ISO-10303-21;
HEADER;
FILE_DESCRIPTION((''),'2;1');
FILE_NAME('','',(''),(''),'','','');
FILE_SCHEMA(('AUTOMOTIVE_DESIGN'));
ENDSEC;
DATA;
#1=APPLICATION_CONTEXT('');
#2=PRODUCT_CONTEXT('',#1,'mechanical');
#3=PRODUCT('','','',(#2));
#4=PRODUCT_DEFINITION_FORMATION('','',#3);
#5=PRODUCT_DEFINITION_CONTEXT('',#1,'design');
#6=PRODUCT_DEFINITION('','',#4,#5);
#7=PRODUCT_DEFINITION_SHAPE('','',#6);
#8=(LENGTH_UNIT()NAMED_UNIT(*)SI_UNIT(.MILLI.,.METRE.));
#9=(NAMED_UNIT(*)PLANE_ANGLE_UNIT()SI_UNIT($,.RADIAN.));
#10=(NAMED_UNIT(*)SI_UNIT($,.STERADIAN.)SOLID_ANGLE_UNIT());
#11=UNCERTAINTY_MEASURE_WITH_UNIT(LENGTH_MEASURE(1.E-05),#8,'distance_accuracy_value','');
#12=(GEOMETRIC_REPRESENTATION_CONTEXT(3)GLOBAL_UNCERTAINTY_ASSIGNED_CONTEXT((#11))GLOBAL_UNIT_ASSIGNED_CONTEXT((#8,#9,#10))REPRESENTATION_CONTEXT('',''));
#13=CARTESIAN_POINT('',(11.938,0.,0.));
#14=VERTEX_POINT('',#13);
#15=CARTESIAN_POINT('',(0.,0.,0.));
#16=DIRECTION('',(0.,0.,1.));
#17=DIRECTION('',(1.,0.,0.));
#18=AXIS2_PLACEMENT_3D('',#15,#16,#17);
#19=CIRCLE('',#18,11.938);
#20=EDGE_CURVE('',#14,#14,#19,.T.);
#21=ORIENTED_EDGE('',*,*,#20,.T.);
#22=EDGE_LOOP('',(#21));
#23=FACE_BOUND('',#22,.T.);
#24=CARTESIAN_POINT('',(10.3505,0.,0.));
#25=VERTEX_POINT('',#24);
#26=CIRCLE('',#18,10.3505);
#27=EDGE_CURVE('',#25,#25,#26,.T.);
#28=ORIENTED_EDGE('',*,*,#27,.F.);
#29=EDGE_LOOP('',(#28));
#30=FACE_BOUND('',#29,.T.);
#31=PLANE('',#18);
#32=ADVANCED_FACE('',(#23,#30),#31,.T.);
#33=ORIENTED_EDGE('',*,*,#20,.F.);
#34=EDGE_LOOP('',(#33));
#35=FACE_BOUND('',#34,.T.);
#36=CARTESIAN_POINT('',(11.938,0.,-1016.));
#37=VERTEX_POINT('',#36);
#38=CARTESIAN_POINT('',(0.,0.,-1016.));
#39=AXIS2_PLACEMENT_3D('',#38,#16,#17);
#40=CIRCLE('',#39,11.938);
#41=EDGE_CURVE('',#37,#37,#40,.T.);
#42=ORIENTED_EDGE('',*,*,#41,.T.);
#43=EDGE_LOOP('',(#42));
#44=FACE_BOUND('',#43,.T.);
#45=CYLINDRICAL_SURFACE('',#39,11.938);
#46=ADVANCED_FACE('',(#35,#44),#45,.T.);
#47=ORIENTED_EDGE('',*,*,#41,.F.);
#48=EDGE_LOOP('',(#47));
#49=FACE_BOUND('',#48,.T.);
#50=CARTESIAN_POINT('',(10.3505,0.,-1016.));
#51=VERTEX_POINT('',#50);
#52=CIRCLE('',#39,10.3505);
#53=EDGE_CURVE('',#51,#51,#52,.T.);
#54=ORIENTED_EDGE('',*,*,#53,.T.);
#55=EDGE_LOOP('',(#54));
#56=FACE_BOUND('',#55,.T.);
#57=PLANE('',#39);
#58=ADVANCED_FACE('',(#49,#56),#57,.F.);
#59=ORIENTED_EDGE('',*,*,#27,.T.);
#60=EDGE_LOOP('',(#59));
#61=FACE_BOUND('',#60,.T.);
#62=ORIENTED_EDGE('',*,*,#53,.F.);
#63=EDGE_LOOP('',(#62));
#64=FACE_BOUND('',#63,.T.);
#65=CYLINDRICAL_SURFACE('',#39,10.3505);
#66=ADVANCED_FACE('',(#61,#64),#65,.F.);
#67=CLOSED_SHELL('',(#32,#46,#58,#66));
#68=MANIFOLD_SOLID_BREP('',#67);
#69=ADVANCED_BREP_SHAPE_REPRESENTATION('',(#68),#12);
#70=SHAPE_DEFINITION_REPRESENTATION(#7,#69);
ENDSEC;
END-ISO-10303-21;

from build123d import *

# Parameters (mm, degrees)
SKETCH1_R           = 11.938
SKETCH1_R_2         = 10.3505
BOSS_EXTRUDE1_DEPTH = 1016


with BuildPart() as part:
    # Sketch1 → Boss-Extrude1 (new body)
    with BuildSketch(Plane.XY):
        Circle(SKETCH1_R)
        Circle(SKETCH1_R_2, mode=Mode.SUBTRACT)
    extrude(amount=-BOSS_EXTRUDE1_DEPTH)


solid = part.part
